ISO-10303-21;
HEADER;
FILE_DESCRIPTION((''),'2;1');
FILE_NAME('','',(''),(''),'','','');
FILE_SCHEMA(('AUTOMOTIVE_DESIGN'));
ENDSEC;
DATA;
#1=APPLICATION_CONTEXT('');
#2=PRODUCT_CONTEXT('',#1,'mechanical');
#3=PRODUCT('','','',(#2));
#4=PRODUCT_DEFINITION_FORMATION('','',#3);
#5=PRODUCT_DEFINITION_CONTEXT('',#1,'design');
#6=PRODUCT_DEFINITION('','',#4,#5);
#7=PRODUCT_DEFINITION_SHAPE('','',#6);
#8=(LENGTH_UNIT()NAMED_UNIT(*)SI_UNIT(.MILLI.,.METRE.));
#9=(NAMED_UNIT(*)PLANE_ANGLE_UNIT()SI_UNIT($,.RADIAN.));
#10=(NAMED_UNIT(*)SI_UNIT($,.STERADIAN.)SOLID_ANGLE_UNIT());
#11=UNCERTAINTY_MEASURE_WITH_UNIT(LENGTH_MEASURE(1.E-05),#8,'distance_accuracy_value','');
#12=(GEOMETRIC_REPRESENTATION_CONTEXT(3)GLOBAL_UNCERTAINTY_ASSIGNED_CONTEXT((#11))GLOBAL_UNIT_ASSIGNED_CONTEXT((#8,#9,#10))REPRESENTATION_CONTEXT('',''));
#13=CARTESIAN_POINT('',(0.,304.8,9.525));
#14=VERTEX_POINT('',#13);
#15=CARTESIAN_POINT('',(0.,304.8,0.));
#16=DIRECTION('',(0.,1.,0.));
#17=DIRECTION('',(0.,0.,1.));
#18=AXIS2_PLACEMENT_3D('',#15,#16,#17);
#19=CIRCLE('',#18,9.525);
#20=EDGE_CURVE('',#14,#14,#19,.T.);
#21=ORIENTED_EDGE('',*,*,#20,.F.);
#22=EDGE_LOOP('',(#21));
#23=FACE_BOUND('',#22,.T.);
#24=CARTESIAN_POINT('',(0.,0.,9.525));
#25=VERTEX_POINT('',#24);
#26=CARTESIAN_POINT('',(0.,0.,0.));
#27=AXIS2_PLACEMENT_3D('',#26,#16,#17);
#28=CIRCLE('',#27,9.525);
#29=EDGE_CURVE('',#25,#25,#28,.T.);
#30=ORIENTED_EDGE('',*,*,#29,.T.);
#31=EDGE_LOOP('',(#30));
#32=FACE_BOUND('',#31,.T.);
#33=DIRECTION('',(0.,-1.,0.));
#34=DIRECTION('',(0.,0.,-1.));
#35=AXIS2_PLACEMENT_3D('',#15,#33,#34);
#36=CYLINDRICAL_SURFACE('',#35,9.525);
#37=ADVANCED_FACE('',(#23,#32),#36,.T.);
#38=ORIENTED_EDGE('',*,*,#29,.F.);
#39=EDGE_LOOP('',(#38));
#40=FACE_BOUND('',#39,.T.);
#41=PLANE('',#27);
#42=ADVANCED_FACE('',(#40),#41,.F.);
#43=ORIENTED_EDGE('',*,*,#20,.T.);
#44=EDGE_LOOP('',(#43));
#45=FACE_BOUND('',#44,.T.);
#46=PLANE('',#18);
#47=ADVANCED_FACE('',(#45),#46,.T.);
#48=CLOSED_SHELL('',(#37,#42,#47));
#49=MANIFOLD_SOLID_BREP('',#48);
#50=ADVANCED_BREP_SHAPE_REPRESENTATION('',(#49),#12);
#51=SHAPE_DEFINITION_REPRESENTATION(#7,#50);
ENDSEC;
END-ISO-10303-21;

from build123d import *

# Parameters (mm, degrees)
SKETCH1_R           = 9.525
BOSS_EXTRUDE1_DEPTH = 304.8


with BuildPart() as part:
    # Sketch1 → Boss-Extrude1 (new body)
    with BuildSketch(Plane(origin=(0, 0, 0), x_dir=(1, 0, 0), z_dir=(0, 1, 0))):
        Circle(SKETCH1_R)
    extrude(amount=BOSS_EXTRUDE1_DEPTH)


solid = part.part
